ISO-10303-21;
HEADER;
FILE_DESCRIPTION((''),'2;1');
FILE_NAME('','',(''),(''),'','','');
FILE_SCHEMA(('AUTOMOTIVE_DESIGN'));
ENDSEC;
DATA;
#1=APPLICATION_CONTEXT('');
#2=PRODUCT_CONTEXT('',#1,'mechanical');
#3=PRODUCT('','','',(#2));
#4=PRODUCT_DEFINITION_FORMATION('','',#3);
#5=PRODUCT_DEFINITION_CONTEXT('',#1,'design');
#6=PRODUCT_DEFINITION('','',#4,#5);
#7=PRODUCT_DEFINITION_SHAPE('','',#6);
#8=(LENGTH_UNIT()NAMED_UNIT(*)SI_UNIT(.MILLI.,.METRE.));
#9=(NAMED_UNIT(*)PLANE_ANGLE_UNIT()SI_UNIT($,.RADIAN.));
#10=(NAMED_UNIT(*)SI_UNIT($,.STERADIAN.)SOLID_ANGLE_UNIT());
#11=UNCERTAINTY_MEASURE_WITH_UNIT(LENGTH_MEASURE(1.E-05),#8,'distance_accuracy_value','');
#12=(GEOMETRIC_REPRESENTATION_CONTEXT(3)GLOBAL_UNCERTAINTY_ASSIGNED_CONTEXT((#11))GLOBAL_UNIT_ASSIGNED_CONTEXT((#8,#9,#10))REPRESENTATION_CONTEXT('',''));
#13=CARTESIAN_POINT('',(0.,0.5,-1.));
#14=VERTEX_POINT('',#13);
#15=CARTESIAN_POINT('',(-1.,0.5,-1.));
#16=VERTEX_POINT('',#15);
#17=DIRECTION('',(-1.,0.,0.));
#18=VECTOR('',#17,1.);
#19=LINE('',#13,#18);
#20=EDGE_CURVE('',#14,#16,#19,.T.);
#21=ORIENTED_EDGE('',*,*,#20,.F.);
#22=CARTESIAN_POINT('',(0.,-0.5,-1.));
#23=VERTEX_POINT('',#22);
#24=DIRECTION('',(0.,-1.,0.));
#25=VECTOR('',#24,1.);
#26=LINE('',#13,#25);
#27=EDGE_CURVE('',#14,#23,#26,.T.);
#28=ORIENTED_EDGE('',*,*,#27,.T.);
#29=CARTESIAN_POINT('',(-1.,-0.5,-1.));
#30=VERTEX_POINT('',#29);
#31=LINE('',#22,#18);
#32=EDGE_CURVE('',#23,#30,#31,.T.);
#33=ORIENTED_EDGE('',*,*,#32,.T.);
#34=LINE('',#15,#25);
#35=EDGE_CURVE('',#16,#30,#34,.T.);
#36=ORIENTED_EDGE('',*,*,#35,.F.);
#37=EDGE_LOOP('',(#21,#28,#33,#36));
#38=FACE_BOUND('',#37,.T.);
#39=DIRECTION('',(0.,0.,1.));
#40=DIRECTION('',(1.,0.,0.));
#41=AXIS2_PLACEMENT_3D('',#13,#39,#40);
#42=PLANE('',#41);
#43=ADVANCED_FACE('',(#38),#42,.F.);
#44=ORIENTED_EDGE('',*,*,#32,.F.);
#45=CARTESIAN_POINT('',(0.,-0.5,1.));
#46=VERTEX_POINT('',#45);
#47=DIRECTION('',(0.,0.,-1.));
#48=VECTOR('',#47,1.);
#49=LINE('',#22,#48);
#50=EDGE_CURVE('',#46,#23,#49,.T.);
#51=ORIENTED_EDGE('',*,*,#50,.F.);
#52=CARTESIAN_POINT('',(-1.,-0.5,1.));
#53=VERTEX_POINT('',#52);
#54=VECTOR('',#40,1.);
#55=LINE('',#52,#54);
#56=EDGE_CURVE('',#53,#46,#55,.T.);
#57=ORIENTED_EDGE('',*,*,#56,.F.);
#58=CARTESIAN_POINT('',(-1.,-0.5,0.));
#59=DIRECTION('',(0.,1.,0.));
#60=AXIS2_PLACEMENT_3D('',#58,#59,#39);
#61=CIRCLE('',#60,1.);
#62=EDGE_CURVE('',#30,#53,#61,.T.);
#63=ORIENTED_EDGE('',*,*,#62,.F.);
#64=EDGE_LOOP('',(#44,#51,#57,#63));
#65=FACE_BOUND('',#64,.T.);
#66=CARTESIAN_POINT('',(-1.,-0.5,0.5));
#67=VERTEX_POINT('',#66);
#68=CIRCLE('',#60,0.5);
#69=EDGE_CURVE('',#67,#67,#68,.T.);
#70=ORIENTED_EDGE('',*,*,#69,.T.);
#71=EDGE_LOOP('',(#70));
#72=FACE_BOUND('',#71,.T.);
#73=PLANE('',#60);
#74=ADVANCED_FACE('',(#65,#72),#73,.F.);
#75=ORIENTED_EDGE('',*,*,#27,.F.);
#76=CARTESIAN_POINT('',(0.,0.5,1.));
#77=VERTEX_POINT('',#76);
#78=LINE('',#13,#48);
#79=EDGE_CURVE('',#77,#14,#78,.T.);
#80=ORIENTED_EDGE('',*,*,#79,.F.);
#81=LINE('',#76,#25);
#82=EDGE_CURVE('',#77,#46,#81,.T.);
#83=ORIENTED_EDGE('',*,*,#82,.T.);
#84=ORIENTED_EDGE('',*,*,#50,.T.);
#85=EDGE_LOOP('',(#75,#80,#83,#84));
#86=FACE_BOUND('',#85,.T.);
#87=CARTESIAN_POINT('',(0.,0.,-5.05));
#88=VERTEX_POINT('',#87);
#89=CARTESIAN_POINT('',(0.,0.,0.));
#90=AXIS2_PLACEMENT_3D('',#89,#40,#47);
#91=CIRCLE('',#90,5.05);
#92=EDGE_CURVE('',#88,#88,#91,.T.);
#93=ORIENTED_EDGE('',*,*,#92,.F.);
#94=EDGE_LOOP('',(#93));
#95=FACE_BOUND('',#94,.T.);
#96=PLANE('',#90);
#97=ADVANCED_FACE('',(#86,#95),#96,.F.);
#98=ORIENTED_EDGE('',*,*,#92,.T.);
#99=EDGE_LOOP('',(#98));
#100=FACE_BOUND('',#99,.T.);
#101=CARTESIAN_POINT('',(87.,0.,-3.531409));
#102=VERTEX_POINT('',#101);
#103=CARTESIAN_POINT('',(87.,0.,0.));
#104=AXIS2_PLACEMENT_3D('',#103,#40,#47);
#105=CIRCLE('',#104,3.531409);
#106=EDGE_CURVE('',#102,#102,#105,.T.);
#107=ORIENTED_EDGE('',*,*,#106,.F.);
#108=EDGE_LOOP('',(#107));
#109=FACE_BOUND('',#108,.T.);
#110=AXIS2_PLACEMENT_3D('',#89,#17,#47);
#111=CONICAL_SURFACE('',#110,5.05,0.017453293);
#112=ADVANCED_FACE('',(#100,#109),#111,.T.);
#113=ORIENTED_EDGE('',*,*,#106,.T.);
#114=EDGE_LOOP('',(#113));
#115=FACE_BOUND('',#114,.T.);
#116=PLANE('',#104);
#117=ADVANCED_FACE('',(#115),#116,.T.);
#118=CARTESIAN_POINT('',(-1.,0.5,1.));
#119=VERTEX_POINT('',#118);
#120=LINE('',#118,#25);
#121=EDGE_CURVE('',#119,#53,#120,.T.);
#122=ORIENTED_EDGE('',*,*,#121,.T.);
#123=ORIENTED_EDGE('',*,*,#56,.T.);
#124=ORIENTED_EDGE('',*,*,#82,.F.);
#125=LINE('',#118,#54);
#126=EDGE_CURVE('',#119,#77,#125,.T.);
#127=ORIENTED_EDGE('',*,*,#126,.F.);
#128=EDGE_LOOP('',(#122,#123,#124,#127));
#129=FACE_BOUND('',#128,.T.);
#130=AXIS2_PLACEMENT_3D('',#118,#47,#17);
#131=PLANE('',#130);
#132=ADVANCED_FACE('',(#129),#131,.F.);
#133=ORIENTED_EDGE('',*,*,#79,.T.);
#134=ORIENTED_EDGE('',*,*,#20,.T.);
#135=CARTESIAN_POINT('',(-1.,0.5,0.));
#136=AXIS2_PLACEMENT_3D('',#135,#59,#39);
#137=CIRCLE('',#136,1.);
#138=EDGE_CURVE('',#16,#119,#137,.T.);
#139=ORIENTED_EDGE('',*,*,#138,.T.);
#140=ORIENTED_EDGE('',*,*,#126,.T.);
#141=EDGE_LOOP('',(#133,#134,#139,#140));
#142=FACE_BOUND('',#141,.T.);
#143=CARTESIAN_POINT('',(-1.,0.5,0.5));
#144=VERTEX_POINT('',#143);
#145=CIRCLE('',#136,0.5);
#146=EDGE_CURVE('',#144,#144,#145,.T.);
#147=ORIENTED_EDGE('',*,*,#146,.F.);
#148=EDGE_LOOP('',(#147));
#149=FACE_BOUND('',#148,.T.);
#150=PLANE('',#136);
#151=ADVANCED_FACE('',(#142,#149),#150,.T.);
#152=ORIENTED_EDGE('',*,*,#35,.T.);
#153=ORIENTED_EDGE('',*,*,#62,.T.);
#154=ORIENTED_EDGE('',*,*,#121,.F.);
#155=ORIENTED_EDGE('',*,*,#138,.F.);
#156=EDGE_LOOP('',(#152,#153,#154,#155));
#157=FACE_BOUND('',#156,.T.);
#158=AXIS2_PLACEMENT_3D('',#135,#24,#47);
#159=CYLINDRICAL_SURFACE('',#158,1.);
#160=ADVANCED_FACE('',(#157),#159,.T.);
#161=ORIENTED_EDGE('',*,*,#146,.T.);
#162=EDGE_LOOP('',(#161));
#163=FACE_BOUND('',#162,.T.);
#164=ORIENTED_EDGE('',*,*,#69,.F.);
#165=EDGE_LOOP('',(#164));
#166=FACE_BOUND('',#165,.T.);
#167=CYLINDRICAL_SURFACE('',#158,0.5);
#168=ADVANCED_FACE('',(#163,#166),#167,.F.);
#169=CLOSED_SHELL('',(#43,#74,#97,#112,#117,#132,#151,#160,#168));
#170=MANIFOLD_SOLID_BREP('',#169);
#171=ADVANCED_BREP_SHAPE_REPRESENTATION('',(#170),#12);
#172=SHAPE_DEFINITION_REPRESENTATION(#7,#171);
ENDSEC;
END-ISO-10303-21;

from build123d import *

# Parameters (mm, degrees)
SKETCH1_R           = 5.05
BOSS_EXTRUDE1_DEPTH = 87
BOSS_EXTRUDE1_TAPER = 1
SKETCH2_R           = 0.5
BOSS_EXTRUDE2_DEPTH = 0.5


with BuildPart() as part:
    # Sketch1 → Boss-Extrude1 (new body)
    with BuildSketch(Plane(origin=(0, 0, 0), x_dir=(0, 0, -1), z_dir=(1, 0, 0))):
        Circle(SKETCH1_R)
    extrude(amount=BOSS_EXTRUDE1_DEPTH, taper=BOSS_EXTRUDE1_TAPER)

    # Sketch2 → Boss-Extrude2 (add, symmetric)
    with BuildSketch(Plane(origin=(0, 0, 0), x_dir=(1, 0, 0), z_dir=(0, 1, 0))):
        with BuildLine():
            Line((0, 1), (-1, 1))
            ThreePointArc((-1, 1), (-2, 0), (-1, -1))
            Line((-1, -1), (0, -1))
            Line((0, -1), (0, 1))
        make_face()
        with Locations((-1, 0)):
            Circle(SKETCH2_R, mode=Mode.SUBTRACT)
    extrude(amount=BOSS_EXTRUDE2_DEPTH, both=True)


solid = part.part
